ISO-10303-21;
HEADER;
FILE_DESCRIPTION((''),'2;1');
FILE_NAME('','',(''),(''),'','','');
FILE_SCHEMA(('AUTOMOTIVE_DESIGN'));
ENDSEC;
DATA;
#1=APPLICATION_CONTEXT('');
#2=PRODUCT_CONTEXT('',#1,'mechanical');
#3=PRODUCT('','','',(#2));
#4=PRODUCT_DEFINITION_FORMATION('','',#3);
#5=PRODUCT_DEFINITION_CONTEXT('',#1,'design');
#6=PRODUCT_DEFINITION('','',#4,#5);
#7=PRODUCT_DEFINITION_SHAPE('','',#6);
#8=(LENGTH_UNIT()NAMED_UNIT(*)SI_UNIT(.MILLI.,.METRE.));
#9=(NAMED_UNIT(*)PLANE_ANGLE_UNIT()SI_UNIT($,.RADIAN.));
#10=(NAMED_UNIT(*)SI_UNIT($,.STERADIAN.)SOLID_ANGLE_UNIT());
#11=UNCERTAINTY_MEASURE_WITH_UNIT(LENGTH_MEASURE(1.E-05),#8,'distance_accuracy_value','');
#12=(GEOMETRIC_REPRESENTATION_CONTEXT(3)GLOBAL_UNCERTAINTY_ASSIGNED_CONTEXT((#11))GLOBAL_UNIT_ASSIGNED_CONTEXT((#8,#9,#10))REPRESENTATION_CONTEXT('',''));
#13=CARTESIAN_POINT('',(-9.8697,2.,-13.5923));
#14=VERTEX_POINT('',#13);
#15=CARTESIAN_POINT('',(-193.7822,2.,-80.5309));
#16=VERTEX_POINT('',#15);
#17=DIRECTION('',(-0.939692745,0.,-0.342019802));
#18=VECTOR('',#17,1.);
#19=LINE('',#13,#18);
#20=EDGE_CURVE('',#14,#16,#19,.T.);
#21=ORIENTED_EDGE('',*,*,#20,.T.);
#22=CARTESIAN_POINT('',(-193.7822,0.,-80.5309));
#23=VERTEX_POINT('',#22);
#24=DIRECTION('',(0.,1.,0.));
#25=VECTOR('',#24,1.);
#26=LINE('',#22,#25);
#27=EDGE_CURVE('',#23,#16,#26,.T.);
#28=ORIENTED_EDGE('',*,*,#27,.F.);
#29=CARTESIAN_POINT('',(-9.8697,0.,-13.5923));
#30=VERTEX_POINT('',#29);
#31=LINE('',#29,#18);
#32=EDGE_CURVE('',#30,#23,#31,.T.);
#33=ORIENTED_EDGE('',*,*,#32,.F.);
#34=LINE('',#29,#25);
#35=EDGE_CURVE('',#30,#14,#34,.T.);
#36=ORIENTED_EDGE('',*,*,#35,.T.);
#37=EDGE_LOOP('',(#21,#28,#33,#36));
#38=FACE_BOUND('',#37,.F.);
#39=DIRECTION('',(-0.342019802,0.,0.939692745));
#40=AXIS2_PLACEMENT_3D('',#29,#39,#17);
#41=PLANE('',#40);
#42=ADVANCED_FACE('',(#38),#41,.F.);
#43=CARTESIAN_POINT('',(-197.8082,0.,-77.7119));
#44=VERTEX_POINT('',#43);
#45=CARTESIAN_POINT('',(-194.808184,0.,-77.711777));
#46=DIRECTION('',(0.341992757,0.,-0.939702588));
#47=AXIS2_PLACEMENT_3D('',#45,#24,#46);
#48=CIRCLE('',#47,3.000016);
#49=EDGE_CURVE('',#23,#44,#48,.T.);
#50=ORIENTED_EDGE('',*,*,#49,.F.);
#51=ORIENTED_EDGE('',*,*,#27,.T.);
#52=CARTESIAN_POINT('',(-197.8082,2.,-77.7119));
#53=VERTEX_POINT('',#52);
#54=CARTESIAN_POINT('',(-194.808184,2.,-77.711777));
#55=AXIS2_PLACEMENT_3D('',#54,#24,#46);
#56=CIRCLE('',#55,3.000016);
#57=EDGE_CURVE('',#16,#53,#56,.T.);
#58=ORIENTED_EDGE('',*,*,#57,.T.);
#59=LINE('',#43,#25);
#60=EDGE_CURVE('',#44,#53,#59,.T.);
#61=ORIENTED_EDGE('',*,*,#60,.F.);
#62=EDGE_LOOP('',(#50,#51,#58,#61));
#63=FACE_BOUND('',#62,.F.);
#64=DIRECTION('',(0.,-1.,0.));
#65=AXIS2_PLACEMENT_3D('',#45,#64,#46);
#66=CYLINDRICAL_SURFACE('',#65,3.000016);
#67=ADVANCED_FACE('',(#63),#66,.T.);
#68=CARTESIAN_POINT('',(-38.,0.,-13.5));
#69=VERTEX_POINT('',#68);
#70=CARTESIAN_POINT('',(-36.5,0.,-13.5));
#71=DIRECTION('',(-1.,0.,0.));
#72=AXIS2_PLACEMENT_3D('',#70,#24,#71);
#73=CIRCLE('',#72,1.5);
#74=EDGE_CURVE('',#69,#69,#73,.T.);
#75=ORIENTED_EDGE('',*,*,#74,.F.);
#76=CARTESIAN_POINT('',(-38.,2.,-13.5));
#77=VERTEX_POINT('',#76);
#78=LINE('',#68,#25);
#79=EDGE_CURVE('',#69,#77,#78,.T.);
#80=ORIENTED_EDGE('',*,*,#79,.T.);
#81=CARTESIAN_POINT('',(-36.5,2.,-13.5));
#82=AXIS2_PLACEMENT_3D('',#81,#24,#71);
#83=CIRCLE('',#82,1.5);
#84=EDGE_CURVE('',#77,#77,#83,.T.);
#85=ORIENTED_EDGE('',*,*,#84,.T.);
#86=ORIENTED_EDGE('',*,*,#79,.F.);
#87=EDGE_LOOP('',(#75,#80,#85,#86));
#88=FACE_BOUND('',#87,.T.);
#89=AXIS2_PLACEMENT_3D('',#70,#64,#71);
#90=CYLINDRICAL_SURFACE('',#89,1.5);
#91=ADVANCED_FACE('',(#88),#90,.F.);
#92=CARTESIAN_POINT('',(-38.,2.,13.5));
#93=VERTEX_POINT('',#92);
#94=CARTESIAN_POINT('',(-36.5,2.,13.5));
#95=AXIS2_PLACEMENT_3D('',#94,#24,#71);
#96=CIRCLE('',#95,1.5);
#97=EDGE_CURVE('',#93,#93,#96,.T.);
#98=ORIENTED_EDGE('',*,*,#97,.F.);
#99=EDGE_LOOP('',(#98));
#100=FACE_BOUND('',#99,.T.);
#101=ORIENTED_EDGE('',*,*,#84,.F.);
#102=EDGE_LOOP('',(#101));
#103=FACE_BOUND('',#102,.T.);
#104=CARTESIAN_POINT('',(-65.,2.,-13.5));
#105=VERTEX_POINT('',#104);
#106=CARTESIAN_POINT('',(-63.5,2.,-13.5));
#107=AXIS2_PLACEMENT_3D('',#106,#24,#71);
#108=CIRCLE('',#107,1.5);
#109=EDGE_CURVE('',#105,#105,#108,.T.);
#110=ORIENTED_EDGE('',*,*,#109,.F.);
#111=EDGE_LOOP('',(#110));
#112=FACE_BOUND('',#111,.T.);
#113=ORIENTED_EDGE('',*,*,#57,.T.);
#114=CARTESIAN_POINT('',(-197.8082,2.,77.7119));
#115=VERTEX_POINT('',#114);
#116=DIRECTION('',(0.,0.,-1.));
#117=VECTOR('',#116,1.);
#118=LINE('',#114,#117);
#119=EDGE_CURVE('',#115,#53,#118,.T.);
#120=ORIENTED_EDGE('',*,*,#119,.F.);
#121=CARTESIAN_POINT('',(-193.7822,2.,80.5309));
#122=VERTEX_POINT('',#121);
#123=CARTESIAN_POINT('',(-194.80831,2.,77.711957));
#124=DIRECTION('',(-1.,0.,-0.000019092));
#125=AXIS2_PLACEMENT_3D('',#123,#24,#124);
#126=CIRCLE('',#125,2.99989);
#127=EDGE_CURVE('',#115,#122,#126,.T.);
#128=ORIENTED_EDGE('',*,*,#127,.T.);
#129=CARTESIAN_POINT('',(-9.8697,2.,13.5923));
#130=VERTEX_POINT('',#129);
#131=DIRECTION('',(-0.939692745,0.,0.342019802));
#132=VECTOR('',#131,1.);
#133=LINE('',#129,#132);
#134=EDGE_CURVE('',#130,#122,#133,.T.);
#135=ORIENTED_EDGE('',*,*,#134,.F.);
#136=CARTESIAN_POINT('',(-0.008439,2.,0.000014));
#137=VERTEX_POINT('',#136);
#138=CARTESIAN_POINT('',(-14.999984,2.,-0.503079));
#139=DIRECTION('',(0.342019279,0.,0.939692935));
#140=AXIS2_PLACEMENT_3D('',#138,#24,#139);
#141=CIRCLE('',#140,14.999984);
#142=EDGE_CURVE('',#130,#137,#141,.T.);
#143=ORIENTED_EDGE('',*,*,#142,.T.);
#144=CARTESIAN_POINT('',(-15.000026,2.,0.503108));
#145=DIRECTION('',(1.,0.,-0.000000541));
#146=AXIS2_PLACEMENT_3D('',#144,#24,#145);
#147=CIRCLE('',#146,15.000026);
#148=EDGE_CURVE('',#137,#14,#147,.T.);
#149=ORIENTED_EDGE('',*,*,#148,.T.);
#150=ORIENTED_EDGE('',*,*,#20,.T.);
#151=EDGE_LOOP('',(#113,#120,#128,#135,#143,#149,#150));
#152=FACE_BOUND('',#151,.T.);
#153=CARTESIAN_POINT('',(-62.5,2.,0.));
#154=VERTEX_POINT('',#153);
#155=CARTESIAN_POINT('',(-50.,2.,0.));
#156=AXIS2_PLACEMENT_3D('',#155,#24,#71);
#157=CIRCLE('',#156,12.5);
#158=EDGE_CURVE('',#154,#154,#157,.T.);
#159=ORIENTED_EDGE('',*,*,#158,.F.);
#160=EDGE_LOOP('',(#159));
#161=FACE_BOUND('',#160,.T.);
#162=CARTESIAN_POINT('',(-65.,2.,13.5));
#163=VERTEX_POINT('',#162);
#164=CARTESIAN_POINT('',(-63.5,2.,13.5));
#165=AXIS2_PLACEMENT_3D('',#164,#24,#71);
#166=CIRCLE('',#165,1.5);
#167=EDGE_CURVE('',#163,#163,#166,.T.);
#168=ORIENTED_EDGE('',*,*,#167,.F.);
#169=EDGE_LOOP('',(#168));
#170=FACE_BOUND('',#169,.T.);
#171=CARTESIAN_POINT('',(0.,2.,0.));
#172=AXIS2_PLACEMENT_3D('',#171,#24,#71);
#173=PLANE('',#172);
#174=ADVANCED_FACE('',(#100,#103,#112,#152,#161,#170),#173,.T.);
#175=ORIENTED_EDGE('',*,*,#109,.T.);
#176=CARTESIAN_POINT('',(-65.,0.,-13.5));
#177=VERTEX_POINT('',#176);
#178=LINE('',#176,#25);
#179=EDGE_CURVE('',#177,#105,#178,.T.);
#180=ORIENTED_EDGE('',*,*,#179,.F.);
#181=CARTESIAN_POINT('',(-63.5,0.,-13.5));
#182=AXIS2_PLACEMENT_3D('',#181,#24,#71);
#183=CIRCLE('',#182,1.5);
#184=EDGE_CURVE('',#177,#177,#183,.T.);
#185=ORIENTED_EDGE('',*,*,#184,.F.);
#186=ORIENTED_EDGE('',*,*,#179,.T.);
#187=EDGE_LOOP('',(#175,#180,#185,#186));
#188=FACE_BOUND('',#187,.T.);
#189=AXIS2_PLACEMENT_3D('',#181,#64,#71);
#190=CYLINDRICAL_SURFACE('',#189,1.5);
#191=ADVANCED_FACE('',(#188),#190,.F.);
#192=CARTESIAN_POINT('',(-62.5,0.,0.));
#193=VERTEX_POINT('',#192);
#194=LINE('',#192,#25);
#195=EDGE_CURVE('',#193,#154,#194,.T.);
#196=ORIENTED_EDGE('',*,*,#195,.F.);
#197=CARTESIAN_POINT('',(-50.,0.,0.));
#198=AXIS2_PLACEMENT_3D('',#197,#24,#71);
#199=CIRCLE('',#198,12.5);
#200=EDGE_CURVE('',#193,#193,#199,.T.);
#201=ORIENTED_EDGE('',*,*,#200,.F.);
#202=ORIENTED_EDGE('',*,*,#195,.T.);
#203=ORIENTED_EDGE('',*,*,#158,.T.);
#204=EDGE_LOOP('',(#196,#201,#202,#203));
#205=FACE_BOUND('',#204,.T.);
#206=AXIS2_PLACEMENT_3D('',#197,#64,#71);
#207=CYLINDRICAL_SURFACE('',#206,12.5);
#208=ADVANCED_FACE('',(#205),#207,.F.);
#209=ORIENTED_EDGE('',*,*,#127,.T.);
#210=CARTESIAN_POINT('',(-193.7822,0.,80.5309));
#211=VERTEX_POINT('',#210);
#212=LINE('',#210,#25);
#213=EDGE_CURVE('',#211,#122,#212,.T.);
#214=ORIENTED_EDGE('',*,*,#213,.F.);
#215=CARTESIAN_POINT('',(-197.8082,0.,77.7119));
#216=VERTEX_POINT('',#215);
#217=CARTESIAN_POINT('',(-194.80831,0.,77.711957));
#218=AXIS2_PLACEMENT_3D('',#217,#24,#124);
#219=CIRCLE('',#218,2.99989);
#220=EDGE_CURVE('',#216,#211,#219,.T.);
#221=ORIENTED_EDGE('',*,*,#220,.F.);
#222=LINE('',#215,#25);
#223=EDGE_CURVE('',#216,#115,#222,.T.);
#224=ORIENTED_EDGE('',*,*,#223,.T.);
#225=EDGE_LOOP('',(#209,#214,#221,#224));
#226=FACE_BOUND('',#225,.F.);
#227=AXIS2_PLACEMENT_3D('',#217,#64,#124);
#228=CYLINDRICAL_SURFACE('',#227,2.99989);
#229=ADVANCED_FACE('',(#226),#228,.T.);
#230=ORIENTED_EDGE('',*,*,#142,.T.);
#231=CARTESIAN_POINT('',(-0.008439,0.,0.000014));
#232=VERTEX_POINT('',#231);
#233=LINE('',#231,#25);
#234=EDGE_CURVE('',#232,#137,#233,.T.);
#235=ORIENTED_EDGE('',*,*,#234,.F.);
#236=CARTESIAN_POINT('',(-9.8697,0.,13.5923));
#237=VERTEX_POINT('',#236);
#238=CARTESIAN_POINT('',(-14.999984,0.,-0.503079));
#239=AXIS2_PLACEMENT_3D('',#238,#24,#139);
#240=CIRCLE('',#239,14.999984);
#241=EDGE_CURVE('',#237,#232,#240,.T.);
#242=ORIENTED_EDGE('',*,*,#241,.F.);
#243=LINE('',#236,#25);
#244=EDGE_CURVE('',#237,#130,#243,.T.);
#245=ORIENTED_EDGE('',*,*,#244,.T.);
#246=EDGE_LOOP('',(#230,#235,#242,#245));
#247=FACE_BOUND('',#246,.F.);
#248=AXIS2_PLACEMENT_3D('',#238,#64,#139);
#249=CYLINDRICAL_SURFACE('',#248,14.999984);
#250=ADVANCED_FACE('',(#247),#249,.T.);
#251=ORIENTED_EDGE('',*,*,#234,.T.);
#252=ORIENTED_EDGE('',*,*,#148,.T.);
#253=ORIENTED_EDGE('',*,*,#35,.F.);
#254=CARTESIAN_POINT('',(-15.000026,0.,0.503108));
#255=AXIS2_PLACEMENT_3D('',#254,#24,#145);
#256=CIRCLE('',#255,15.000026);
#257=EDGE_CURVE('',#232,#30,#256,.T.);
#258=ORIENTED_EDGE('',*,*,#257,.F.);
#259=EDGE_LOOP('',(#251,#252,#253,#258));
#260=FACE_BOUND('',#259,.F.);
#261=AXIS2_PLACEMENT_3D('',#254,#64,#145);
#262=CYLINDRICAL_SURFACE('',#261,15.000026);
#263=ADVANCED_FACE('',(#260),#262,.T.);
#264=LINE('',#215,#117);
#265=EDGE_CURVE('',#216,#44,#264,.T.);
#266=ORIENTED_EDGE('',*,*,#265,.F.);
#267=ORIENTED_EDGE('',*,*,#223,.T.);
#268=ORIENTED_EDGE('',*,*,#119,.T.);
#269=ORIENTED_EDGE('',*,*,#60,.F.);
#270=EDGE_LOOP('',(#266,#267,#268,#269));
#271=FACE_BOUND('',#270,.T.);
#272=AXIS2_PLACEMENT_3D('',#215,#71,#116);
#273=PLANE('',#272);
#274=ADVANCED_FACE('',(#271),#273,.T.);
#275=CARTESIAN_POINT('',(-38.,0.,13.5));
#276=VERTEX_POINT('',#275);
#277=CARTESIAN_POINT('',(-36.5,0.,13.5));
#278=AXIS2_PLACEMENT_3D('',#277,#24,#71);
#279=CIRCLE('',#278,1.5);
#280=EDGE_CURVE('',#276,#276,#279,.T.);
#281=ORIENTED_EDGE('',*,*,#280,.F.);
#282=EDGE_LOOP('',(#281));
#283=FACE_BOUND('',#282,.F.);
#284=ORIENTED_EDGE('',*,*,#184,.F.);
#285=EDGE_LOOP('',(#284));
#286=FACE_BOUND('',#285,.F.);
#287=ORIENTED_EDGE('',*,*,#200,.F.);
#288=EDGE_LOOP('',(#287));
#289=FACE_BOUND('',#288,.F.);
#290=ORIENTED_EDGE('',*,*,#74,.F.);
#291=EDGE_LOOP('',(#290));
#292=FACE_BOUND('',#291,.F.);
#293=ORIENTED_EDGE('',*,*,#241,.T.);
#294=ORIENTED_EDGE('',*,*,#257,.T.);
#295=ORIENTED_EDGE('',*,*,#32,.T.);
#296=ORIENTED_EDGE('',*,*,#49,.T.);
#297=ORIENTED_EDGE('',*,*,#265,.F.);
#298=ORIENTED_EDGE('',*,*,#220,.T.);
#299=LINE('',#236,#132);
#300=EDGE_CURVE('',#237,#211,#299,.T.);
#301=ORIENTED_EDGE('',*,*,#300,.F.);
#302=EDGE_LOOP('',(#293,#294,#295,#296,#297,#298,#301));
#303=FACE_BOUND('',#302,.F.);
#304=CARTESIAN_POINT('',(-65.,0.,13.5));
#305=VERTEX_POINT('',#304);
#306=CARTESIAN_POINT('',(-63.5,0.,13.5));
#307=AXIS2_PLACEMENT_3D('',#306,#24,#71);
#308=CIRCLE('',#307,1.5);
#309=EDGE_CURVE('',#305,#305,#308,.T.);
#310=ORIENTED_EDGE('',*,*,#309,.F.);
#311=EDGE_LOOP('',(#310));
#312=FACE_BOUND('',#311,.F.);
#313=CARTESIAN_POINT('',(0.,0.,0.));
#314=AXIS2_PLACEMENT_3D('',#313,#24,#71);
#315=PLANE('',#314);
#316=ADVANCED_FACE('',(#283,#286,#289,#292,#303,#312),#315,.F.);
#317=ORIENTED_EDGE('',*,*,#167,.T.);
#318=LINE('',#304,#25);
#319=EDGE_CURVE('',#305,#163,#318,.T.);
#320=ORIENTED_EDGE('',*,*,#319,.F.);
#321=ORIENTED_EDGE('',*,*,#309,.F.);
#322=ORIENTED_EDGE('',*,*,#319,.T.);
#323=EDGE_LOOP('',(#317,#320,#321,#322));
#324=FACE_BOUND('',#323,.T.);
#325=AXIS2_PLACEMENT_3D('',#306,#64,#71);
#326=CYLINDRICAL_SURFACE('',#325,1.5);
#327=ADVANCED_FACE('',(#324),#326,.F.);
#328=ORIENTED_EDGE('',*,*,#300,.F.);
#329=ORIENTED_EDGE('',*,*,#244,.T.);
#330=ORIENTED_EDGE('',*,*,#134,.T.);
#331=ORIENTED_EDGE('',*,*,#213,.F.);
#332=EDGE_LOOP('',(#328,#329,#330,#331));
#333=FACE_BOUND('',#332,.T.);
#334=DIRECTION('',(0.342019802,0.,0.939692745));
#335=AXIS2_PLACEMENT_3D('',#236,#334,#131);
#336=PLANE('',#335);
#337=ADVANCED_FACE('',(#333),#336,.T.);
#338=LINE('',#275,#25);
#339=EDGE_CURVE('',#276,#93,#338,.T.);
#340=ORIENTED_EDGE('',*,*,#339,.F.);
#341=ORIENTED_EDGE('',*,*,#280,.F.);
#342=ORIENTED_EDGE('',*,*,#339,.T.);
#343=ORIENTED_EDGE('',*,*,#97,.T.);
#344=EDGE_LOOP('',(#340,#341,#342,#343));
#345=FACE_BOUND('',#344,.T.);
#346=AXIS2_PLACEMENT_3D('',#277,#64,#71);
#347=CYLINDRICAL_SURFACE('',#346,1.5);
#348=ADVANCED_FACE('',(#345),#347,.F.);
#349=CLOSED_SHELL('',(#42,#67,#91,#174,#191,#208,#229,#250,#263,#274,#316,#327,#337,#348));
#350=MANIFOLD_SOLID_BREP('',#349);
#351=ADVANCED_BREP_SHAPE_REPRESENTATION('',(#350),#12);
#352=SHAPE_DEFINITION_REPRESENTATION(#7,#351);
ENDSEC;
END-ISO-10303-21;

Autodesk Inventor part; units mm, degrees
ref_plane "YZ Plane" through (0, 0, 0) normal (1, 0, 0) x (0, 1, 0)
ref_plane "XZ Plane" through (0, 0, 0) normal (0, 1, 0) x (-1, 0, 0)
ref_plane "XY Plane" through (0, 0, 0) normal (0, 0, 1) x (1, 0, 0)
sketch "Sketch1" plane through (0, 0, 0) normal (0, 1, 0) x (-1, 0, 0)
  line L0 (0, 0) -> (0, -0.5031)
  line L1 (9.8697, 13.5923) -> (193.7822, 80.5309)
  line L2 (166.1465, 0) -> (0, 0) construction
  line L3 (0, 0) -> (0, 0.5031)
  line L4 (9.8697, -13.5923) -> (193.7822, -80.5309)
  circle A0 centre (50, 0) radius 12.5
  circle A1 centre (63.5, 13.5) radius 1.5
  circle A2 centre (63.5, -13.5) radius 1.5
  circle A3 centre (36.5, 13.5) radius 1.5
  circle A4 centre (36.5, -13.5) radius 1.5
  line L5 (63.5, 13.5) -> (36.5, -13.5) construction
  line L6 (36.5, 13.5) -> (63.5, -13.5) construction
  arc A5 (9.8697, 13.5923) -> (0, -0.5031) centre (15, -0.5031) ccw
  arc A6 (0, 0.5031) -> (9.8697, -13.5923) centre (15, 0.5031) ccw
  line L7 (63.25, 16.25) -> (36.75, 16.25)
  line L8 (33.75, 13.25) -> (33.75, -13.25)
  line L9 (36.75, -16.25) -> (63.25, -16.25)
  line L10 (66.25, -13.25) -> (66.25, 13.25)
  line L11 (66.25, 16.25) -> (33.75, -16.25) construction
  line L12 (33.75, 16.25) -> (66.25, -16.25) construction
  arc A7 (66.25, 13.25) -> (63.25, 16.25) centre (63.25, 13.25) ccw
  arc A8 (63.25, -16.25) -> (66.25, -13.25) centre (63.25, -13.25) ccw
  arc A9 (33.75, -13.25) -> (36.75, -16.25) centre (36.75, -13.25) ccw
  arc A10 (36.75, 16.25) -> (33.75, 13.25) centre (36.75, 13.25) ccw
  line L13 (197.8082, 77.7119) -> (197.8082, -77.7119)
  line L14 (190.7822, 76.2465) -> (10.8958, 10.7732)
  arc A11 (10.8958, 10.7732) -> (3, -0.5031) centre (15, -0.5031) ccw
  line L15 (3, -0.5031) -> (3, 0)
  line L16 (3, 0) -> (3, 0.5031)
  arc A12 (3, 0.5031) -> (10.8958, -10.7732) centre (15, 0.5031) ccw
  line L17 (10.8958, -10.7732) -> (190.7822, -76.2465)
  line L18 (194.8082, -73.4274) -> (194.8082, 73.4274)
  arc A13 (197.8082, 77.7119) -> (193.7822, 80.5309) centre (194.8082, 77.7119) ccw
  arc A14 (194.8082, 73.4274) -> (190.7822, 76.2465) centre (191.8082, 73.4274) ccw
  arc A15 (190.7822, -76.2465) -> (194.8082, -73.4274) centre (191.8082, -73.4274) ccw
  arc A16 (193.7822, -80.5309) -> (197.8082, -77.7119) centre (194.8082, -77.7119) ccw
  point P0 (0, 10)
  point P1 (197.8082, 81.9963)
  point P2 (0, -10)
  point P3 (197.8082, -81.9963)
  point P4 (50, 0)
  point P5 (194.8082, 77.7119)
  point P6 (194.8082, -77.7119)
  point P7 (0.0084, 0)
  point P8 (3.0106, 0)
  dimension "d1" = 25
  dimension "d2" = 50
  dimension "d3" = 27
  dimension "d4" = 27
  dimension "d5" = 3
  dimension "d6" = 15
  dimension "d7" = 10
  dimension "d9" = 70
  dimension "d10" = 32.5
  dimension "d11" = 3
  dimension "d12" = 200
  dimension "d13" = 3
  dimension "d20" = 3
extrude "Extrusion1" add sketch "Sketch1" along normal blind 2 contours A5 L1 A13 L13 A16 L4 A6 | A0 | A1 | A2 | A3 | A4 | A7 L10 A8 L9 A9 L8 A10 L7 | A14 L18 A15 L17 A12 A11 L14 | A11 L15 L16 A12
extrude "Extrusion2" cut sketch "Sketch1" along normal blind 2 contours A0 | A1 | A2 | A3 | A4
properties part number "PRTGN_baseipt"
